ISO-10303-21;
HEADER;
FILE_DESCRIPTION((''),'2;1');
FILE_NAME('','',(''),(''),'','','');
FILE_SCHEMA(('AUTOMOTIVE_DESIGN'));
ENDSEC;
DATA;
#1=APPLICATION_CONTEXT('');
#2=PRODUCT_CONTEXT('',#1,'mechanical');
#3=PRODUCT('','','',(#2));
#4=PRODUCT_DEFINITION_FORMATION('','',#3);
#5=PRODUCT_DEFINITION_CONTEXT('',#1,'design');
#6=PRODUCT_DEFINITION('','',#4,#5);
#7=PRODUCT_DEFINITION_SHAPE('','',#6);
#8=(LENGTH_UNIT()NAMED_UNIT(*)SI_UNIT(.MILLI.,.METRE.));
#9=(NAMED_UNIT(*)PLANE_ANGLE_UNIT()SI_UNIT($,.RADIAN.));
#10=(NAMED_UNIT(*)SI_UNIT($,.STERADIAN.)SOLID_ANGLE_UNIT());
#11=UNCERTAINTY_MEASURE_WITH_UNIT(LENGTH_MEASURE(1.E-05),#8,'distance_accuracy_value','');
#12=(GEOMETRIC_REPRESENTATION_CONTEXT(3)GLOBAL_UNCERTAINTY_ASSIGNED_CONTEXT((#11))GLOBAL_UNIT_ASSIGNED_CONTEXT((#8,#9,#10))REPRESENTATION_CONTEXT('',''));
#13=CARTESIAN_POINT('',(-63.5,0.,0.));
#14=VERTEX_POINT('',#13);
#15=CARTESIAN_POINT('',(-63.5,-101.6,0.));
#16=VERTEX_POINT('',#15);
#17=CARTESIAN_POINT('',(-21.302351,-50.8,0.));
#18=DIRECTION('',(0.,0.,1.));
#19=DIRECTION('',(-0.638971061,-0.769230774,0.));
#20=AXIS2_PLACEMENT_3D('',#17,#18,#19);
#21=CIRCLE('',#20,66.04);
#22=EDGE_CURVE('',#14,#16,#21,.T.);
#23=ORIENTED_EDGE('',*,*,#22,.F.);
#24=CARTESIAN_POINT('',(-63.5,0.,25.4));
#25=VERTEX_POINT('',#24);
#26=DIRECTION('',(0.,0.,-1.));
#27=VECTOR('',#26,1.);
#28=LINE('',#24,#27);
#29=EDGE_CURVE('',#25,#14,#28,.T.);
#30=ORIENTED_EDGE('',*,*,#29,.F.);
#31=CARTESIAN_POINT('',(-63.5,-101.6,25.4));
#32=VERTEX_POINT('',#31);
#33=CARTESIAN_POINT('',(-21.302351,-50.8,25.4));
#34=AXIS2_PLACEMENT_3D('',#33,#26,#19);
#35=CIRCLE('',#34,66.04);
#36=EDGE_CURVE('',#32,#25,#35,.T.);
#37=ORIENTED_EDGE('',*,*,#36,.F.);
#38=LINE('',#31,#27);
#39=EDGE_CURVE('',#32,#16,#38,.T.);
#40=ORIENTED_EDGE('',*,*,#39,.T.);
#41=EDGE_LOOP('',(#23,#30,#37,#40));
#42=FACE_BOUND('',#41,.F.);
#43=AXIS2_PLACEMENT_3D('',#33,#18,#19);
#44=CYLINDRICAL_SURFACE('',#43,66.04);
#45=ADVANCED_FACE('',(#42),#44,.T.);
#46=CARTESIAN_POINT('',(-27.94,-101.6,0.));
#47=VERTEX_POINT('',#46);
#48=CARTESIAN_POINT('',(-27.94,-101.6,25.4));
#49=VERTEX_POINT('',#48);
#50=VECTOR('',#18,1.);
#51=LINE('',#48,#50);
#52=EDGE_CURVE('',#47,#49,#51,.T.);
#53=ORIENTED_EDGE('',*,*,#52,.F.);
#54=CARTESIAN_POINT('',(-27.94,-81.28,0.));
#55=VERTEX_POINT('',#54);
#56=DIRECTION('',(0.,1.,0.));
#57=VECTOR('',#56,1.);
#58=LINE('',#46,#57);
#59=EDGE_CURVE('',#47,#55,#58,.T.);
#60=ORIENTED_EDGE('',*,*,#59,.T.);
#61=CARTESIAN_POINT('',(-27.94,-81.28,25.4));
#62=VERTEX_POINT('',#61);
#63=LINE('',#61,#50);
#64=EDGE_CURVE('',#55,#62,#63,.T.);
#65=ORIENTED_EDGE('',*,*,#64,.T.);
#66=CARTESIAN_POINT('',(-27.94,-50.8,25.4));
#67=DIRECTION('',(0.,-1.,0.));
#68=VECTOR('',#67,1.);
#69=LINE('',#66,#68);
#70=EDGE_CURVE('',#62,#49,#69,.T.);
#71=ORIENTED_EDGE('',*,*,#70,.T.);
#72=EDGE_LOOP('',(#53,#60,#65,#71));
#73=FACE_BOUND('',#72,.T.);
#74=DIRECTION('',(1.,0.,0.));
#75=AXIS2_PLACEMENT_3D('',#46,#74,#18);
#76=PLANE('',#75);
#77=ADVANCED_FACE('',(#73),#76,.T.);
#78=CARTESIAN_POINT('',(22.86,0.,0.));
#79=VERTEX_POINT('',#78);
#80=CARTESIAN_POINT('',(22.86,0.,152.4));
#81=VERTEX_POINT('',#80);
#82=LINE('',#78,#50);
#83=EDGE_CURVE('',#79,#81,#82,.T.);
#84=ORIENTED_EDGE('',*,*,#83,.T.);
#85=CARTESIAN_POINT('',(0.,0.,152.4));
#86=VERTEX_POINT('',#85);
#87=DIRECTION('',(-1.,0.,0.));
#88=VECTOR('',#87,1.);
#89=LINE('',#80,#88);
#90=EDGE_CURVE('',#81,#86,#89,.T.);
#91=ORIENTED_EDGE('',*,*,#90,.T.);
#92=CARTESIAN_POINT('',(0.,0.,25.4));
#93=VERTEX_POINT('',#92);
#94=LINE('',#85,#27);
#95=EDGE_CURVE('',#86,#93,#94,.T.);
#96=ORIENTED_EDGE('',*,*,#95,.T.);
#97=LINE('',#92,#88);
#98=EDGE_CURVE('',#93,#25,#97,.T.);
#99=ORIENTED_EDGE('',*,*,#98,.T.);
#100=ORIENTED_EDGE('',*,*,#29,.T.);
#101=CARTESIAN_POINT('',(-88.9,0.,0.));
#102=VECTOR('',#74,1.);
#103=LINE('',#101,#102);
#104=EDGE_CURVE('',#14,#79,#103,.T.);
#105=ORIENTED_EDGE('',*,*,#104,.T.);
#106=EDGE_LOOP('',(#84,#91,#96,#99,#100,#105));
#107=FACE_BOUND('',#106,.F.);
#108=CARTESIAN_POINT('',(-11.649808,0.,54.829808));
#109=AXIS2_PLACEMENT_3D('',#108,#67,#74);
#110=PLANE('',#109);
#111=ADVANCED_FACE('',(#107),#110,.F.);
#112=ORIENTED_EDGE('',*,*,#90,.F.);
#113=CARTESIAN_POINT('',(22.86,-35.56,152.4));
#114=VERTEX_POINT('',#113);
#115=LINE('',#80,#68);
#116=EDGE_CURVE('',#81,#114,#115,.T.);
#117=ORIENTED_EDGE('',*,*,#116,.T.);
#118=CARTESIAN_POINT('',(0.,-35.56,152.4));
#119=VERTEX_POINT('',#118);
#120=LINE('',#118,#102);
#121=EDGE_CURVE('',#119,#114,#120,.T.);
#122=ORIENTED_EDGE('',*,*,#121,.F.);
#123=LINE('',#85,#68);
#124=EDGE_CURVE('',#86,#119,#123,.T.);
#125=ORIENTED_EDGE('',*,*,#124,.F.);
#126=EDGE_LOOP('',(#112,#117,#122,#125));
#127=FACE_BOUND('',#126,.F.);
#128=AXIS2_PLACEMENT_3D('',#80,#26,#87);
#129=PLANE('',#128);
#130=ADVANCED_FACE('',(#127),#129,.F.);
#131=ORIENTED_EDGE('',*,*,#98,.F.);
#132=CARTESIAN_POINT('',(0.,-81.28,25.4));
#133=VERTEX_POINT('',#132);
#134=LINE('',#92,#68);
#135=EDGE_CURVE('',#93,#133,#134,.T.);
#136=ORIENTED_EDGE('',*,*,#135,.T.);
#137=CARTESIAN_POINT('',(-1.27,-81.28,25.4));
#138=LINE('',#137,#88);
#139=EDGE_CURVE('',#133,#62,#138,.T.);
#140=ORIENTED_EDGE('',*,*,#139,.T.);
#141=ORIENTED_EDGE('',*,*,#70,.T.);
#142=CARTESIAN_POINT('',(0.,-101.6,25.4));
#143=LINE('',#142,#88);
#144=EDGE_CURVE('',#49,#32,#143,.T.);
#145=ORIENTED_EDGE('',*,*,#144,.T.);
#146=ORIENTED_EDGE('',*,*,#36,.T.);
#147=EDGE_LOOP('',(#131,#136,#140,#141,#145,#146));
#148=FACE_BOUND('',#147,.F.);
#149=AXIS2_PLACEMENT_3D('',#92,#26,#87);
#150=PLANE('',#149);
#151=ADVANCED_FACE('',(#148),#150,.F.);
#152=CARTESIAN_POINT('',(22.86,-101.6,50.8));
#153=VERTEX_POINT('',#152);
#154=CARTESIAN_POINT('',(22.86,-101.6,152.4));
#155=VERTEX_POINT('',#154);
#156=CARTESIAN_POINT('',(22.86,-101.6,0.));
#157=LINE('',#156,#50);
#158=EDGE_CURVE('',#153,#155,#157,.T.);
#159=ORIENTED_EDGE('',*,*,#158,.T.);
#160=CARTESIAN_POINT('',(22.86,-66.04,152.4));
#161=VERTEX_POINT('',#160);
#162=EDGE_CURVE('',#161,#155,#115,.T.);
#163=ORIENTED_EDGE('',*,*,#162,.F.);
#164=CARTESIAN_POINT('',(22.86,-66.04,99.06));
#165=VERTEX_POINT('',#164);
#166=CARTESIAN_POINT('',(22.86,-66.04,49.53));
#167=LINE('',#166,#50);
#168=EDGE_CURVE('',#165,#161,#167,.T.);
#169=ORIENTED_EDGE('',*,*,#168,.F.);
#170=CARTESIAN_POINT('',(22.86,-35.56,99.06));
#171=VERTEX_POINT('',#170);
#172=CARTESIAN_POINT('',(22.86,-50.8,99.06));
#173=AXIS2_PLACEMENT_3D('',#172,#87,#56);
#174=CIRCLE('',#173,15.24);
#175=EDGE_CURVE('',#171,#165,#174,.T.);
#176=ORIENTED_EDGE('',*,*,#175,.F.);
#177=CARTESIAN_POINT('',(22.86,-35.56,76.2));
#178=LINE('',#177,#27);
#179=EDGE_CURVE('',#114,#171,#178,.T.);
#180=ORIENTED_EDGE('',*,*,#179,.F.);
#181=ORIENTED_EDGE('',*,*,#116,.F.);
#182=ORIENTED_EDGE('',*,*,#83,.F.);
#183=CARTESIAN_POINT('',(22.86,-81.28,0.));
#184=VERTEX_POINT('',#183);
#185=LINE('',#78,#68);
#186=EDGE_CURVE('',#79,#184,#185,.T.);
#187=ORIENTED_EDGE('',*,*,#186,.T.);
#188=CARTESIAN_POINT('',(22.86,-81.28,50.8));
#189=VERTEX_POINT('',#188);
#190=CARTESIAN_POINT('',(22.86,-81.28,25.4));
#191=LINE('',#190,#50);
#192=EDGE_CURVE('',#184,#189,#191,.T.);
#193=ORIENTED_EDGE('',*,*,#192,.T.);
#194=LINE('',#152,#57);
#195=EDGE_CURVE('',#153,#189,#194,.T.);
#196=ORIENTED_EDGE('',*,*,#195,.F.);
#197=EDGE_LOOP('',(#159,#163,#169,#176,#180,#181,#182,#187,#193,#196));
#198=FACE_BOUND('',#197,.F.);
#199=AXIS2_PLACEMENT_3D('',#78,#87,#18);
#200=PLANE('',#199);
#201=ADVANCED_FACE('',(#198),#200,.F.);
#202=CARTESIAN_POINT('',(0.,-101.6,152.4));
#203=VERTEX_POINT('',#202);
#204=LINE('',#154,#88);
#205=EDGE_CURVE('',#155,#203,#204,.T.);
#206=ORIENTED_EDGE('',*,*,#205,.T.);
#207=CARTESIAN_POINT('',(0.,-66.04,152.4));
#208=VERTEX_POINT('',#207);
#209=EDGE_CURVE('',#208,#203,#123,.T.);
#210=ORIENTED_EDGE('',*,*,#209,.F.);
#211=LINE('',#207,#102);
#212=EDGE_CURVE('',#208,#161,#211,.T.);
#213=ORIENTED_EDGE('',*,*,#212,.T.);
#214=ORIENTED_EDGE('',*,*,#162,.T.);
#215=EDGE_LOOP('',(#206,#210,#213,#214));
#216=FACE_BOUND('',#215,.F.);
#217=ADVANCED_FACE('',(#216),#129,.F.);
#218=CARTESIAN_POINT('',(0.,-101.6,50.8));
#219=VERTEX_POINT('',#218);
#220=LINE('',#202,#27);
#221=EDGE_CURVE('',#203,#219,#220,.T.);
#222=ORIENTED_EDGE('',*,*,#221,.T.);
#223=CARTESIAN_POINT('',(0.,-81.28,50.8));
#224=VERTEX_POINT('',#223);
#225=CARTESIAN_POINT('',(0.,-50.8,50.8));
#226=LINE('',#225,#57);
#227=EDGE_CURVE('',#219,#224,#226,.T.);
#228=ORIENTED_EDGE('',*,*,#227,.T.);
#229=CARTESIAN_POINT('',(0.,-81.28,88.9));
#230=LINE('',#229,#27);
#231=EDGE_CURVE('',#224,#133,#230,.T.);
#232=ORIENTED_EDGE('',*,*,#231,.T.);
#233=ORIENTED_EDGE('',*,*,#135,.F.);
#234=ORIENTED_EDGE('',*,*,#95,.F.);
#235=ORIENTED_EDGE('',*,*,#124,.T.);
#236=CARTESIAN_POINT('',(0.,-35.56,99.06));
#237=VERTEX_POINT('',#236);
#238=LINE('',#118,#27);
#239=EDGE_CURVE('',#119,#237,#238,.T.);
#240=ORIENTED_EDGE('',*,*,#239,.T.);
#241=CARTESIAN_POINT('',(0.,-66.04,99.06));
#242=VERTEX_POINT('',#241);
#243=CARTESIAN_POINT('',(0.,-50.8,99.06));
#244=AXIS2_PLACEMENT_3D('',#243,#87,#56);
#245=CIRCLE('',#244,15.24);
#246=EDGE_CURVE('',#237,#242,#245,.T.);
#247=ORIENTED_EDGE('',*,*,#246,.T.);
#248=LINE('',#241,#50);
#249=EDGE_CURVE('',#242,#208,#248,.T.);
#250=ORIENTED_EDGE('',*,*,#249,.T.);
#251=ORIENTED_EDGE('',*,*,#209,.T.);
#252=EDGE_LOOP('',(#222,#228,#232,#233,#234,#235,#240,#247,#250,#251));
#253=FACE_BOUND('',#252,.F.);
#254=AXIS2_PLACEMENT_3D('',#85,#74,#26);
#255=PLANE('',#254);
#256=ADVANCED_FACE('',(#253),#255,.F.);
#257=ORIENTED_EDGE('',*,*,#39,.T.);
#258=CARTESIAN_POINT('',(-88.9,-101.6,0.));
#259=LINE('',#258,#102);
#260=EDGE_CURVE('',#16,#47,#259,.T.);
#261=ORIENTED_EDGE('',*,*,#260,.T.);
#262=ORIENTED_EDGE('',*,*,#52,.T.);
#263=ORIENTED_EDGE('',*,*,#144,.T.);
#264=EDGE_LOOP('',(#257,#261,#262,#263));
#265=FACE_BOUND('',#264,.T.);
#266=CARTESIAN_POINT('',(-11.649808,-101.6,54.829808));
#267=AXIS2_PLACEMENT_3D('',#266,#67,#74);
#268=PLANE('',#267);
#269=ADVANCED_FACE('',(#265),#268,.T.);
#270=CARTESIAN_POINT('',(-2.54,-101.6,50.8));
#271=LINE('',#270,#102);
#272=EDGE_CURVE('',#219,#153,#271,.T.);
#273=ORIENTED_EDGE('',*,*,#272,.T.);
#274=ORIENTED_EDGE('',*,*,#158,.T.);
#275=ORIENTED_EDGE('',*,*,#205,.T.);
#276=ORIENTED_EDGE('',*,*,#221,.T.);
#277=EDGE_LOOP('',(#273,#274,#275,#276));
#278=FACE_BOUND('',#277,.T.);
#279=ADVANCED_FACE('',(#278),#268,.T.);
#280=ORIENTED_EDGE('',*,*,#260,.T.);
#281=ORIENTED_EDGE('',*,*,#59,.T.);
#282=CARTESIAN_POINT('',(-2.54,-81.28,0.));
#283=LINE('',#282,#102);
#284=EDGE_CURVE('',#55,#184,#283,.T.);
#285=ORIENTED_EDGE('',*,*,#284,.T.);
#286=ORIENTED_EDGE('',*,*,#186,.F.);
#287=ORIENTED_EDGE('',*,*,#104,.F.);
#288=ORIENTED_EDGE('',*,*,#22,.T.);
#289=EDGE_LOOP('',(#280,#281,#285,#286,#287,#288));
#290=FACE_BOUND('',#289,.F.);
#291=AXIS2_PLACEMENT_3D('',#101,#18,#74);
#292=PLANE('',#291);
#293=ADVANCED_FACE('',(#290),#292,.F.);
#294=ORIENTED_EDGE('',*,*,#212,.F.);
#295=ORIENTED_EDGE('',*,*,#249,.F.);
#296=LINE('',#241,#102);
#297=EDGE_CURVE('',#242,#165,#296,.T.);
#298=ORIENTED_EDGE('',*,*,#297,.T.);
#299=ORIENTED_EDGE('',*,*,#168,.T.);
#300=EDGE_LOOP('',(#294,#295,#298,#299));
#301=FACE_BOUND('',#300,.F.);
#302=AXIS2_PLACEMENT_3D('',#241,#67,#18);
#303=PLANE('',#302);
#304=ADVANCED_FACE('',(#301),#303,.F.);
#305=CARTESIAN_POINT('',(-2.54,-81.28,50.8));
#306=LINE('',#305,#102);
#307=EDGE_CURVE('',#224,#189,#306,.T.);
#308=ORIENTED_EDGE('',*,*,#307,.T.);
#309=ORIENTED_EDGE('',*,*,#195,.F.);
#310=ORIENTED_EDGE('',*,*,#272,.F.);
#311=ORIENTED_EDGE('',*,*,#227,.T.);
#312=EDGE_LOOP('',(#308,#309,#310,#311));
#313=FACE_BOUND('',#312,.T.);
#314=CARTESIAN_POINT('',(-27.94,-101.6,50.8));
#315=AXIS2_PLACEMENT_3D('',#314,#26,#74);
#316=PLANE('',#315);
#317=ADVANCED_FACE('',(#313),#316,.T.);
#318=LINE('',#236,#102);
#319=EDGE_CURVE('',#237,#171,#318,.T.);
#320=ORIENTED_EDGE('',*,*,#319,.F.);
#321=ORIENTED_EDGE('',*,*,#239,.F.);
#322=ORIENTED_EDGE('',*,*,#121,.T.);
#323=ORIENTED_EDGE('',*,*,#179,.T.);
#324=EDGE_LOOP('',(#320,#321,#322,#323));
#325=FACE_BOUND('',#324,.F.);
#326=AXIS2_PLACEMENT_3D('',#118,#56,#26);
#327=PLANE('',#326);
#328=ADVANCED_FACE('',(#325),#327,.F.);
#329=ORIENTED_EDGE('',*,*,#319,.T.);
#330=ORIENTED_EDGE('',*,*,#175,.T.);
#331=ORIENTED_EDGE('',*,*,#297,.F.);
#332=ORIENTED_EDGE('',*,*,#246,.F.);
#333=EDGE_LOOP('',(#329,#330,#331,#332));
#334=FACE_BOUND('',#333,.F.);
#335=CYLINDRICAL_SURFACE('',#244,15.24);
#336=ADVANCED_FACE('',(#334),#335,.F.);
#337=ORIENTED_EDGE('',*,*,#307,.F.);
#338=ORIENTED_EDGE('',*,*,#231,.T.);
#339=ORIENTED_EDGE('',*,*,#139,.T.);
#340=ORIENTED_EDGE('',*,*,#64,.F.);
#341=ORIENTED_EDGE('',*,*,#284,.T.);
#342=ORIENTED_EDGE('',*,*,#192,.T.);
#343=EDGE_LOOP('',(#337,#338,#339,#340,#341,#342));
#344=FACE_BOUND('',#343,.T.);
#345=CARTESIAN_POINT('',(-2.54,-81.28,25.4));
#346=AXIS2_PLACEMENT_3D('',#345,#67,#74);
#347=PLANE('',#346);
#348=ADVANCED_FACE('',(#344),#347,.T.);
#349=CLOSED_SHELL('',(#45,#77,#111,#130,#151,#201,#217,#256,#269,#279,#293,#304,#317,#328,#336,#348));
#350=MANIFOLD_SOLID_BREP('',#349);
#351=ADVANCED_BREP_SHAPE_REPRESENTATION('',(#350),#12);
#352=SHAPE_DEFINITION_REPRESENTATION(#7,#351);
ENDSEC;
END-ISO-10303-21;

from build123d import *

# Parameters (mm, degrees)
F1_DEPTH = 101.6
F3_DEPTH = 25.401
F4_W     = 50.8
F4_H     = 50.8
F5_DEPTH = 20.32
F7_DEPTH = 22.861


with BuildPart() as f1:
    # F0 (on Front) → F1 (new body)
    with BuildSketch(Plane.XZ):
        Polygon((22.86, 152.4), (0, 152.4), (0, 25.4), (-88.9, 25.4), (-88.9, 0), (0, 0), (22.86, 0), align=None)
    extrude(amount=F1_DEPTH)

    # F2 (on face) → F3 (cut, through all)
    with BuildSketch(Plane.XY.offset(25.4)):
        with BuildLine():
            Line((-88.9, -101.6), (-63.5, -101.6))
            ThreePointArc((-63.5, -101.6), (-87.342351, -50.8), (-63.5, 0))
            Line((-63.5, 0), (-88.9, 0))
            Line((-88.9, 0), (-88.9, -101.6))
        make_face()
    extrude(amount=-F3_DEPTH, mode=Mode.SUBTRACT)

    # F4 (on face) → F5 (cut)
    with BuildSketch(Plane.XZ.offset(101.6)):
        with Locations((-2.54, 25.4)):
            Rectangle(F4_W, F4_H)
    extrude(amount=-F5_DEPTH, mode=Mode.SUBTRACT)

    # F6 (on face) → F7 (cut, through all)
    with BuildSketch(Plane(origin=(0, 0, 0), x_dir=(0, -1, 0), z_dir=(-1, 0, 0))):
        with BuildLine():
            Line((66.04, 152.4), (35.56, 152.4))
            Line((35.56, 152.4), (35.56, 99.06))
            ThreePointArc((35.56, 99.06), (50.8, 83.82), (66.04, 99.06))
            Line((66.04, 99.06), (66.04, 152.4))
        make_face()
    extrude(amount=-F7_DEPTH, mode=Mode.SUBTRACT)


solid = f1.part
